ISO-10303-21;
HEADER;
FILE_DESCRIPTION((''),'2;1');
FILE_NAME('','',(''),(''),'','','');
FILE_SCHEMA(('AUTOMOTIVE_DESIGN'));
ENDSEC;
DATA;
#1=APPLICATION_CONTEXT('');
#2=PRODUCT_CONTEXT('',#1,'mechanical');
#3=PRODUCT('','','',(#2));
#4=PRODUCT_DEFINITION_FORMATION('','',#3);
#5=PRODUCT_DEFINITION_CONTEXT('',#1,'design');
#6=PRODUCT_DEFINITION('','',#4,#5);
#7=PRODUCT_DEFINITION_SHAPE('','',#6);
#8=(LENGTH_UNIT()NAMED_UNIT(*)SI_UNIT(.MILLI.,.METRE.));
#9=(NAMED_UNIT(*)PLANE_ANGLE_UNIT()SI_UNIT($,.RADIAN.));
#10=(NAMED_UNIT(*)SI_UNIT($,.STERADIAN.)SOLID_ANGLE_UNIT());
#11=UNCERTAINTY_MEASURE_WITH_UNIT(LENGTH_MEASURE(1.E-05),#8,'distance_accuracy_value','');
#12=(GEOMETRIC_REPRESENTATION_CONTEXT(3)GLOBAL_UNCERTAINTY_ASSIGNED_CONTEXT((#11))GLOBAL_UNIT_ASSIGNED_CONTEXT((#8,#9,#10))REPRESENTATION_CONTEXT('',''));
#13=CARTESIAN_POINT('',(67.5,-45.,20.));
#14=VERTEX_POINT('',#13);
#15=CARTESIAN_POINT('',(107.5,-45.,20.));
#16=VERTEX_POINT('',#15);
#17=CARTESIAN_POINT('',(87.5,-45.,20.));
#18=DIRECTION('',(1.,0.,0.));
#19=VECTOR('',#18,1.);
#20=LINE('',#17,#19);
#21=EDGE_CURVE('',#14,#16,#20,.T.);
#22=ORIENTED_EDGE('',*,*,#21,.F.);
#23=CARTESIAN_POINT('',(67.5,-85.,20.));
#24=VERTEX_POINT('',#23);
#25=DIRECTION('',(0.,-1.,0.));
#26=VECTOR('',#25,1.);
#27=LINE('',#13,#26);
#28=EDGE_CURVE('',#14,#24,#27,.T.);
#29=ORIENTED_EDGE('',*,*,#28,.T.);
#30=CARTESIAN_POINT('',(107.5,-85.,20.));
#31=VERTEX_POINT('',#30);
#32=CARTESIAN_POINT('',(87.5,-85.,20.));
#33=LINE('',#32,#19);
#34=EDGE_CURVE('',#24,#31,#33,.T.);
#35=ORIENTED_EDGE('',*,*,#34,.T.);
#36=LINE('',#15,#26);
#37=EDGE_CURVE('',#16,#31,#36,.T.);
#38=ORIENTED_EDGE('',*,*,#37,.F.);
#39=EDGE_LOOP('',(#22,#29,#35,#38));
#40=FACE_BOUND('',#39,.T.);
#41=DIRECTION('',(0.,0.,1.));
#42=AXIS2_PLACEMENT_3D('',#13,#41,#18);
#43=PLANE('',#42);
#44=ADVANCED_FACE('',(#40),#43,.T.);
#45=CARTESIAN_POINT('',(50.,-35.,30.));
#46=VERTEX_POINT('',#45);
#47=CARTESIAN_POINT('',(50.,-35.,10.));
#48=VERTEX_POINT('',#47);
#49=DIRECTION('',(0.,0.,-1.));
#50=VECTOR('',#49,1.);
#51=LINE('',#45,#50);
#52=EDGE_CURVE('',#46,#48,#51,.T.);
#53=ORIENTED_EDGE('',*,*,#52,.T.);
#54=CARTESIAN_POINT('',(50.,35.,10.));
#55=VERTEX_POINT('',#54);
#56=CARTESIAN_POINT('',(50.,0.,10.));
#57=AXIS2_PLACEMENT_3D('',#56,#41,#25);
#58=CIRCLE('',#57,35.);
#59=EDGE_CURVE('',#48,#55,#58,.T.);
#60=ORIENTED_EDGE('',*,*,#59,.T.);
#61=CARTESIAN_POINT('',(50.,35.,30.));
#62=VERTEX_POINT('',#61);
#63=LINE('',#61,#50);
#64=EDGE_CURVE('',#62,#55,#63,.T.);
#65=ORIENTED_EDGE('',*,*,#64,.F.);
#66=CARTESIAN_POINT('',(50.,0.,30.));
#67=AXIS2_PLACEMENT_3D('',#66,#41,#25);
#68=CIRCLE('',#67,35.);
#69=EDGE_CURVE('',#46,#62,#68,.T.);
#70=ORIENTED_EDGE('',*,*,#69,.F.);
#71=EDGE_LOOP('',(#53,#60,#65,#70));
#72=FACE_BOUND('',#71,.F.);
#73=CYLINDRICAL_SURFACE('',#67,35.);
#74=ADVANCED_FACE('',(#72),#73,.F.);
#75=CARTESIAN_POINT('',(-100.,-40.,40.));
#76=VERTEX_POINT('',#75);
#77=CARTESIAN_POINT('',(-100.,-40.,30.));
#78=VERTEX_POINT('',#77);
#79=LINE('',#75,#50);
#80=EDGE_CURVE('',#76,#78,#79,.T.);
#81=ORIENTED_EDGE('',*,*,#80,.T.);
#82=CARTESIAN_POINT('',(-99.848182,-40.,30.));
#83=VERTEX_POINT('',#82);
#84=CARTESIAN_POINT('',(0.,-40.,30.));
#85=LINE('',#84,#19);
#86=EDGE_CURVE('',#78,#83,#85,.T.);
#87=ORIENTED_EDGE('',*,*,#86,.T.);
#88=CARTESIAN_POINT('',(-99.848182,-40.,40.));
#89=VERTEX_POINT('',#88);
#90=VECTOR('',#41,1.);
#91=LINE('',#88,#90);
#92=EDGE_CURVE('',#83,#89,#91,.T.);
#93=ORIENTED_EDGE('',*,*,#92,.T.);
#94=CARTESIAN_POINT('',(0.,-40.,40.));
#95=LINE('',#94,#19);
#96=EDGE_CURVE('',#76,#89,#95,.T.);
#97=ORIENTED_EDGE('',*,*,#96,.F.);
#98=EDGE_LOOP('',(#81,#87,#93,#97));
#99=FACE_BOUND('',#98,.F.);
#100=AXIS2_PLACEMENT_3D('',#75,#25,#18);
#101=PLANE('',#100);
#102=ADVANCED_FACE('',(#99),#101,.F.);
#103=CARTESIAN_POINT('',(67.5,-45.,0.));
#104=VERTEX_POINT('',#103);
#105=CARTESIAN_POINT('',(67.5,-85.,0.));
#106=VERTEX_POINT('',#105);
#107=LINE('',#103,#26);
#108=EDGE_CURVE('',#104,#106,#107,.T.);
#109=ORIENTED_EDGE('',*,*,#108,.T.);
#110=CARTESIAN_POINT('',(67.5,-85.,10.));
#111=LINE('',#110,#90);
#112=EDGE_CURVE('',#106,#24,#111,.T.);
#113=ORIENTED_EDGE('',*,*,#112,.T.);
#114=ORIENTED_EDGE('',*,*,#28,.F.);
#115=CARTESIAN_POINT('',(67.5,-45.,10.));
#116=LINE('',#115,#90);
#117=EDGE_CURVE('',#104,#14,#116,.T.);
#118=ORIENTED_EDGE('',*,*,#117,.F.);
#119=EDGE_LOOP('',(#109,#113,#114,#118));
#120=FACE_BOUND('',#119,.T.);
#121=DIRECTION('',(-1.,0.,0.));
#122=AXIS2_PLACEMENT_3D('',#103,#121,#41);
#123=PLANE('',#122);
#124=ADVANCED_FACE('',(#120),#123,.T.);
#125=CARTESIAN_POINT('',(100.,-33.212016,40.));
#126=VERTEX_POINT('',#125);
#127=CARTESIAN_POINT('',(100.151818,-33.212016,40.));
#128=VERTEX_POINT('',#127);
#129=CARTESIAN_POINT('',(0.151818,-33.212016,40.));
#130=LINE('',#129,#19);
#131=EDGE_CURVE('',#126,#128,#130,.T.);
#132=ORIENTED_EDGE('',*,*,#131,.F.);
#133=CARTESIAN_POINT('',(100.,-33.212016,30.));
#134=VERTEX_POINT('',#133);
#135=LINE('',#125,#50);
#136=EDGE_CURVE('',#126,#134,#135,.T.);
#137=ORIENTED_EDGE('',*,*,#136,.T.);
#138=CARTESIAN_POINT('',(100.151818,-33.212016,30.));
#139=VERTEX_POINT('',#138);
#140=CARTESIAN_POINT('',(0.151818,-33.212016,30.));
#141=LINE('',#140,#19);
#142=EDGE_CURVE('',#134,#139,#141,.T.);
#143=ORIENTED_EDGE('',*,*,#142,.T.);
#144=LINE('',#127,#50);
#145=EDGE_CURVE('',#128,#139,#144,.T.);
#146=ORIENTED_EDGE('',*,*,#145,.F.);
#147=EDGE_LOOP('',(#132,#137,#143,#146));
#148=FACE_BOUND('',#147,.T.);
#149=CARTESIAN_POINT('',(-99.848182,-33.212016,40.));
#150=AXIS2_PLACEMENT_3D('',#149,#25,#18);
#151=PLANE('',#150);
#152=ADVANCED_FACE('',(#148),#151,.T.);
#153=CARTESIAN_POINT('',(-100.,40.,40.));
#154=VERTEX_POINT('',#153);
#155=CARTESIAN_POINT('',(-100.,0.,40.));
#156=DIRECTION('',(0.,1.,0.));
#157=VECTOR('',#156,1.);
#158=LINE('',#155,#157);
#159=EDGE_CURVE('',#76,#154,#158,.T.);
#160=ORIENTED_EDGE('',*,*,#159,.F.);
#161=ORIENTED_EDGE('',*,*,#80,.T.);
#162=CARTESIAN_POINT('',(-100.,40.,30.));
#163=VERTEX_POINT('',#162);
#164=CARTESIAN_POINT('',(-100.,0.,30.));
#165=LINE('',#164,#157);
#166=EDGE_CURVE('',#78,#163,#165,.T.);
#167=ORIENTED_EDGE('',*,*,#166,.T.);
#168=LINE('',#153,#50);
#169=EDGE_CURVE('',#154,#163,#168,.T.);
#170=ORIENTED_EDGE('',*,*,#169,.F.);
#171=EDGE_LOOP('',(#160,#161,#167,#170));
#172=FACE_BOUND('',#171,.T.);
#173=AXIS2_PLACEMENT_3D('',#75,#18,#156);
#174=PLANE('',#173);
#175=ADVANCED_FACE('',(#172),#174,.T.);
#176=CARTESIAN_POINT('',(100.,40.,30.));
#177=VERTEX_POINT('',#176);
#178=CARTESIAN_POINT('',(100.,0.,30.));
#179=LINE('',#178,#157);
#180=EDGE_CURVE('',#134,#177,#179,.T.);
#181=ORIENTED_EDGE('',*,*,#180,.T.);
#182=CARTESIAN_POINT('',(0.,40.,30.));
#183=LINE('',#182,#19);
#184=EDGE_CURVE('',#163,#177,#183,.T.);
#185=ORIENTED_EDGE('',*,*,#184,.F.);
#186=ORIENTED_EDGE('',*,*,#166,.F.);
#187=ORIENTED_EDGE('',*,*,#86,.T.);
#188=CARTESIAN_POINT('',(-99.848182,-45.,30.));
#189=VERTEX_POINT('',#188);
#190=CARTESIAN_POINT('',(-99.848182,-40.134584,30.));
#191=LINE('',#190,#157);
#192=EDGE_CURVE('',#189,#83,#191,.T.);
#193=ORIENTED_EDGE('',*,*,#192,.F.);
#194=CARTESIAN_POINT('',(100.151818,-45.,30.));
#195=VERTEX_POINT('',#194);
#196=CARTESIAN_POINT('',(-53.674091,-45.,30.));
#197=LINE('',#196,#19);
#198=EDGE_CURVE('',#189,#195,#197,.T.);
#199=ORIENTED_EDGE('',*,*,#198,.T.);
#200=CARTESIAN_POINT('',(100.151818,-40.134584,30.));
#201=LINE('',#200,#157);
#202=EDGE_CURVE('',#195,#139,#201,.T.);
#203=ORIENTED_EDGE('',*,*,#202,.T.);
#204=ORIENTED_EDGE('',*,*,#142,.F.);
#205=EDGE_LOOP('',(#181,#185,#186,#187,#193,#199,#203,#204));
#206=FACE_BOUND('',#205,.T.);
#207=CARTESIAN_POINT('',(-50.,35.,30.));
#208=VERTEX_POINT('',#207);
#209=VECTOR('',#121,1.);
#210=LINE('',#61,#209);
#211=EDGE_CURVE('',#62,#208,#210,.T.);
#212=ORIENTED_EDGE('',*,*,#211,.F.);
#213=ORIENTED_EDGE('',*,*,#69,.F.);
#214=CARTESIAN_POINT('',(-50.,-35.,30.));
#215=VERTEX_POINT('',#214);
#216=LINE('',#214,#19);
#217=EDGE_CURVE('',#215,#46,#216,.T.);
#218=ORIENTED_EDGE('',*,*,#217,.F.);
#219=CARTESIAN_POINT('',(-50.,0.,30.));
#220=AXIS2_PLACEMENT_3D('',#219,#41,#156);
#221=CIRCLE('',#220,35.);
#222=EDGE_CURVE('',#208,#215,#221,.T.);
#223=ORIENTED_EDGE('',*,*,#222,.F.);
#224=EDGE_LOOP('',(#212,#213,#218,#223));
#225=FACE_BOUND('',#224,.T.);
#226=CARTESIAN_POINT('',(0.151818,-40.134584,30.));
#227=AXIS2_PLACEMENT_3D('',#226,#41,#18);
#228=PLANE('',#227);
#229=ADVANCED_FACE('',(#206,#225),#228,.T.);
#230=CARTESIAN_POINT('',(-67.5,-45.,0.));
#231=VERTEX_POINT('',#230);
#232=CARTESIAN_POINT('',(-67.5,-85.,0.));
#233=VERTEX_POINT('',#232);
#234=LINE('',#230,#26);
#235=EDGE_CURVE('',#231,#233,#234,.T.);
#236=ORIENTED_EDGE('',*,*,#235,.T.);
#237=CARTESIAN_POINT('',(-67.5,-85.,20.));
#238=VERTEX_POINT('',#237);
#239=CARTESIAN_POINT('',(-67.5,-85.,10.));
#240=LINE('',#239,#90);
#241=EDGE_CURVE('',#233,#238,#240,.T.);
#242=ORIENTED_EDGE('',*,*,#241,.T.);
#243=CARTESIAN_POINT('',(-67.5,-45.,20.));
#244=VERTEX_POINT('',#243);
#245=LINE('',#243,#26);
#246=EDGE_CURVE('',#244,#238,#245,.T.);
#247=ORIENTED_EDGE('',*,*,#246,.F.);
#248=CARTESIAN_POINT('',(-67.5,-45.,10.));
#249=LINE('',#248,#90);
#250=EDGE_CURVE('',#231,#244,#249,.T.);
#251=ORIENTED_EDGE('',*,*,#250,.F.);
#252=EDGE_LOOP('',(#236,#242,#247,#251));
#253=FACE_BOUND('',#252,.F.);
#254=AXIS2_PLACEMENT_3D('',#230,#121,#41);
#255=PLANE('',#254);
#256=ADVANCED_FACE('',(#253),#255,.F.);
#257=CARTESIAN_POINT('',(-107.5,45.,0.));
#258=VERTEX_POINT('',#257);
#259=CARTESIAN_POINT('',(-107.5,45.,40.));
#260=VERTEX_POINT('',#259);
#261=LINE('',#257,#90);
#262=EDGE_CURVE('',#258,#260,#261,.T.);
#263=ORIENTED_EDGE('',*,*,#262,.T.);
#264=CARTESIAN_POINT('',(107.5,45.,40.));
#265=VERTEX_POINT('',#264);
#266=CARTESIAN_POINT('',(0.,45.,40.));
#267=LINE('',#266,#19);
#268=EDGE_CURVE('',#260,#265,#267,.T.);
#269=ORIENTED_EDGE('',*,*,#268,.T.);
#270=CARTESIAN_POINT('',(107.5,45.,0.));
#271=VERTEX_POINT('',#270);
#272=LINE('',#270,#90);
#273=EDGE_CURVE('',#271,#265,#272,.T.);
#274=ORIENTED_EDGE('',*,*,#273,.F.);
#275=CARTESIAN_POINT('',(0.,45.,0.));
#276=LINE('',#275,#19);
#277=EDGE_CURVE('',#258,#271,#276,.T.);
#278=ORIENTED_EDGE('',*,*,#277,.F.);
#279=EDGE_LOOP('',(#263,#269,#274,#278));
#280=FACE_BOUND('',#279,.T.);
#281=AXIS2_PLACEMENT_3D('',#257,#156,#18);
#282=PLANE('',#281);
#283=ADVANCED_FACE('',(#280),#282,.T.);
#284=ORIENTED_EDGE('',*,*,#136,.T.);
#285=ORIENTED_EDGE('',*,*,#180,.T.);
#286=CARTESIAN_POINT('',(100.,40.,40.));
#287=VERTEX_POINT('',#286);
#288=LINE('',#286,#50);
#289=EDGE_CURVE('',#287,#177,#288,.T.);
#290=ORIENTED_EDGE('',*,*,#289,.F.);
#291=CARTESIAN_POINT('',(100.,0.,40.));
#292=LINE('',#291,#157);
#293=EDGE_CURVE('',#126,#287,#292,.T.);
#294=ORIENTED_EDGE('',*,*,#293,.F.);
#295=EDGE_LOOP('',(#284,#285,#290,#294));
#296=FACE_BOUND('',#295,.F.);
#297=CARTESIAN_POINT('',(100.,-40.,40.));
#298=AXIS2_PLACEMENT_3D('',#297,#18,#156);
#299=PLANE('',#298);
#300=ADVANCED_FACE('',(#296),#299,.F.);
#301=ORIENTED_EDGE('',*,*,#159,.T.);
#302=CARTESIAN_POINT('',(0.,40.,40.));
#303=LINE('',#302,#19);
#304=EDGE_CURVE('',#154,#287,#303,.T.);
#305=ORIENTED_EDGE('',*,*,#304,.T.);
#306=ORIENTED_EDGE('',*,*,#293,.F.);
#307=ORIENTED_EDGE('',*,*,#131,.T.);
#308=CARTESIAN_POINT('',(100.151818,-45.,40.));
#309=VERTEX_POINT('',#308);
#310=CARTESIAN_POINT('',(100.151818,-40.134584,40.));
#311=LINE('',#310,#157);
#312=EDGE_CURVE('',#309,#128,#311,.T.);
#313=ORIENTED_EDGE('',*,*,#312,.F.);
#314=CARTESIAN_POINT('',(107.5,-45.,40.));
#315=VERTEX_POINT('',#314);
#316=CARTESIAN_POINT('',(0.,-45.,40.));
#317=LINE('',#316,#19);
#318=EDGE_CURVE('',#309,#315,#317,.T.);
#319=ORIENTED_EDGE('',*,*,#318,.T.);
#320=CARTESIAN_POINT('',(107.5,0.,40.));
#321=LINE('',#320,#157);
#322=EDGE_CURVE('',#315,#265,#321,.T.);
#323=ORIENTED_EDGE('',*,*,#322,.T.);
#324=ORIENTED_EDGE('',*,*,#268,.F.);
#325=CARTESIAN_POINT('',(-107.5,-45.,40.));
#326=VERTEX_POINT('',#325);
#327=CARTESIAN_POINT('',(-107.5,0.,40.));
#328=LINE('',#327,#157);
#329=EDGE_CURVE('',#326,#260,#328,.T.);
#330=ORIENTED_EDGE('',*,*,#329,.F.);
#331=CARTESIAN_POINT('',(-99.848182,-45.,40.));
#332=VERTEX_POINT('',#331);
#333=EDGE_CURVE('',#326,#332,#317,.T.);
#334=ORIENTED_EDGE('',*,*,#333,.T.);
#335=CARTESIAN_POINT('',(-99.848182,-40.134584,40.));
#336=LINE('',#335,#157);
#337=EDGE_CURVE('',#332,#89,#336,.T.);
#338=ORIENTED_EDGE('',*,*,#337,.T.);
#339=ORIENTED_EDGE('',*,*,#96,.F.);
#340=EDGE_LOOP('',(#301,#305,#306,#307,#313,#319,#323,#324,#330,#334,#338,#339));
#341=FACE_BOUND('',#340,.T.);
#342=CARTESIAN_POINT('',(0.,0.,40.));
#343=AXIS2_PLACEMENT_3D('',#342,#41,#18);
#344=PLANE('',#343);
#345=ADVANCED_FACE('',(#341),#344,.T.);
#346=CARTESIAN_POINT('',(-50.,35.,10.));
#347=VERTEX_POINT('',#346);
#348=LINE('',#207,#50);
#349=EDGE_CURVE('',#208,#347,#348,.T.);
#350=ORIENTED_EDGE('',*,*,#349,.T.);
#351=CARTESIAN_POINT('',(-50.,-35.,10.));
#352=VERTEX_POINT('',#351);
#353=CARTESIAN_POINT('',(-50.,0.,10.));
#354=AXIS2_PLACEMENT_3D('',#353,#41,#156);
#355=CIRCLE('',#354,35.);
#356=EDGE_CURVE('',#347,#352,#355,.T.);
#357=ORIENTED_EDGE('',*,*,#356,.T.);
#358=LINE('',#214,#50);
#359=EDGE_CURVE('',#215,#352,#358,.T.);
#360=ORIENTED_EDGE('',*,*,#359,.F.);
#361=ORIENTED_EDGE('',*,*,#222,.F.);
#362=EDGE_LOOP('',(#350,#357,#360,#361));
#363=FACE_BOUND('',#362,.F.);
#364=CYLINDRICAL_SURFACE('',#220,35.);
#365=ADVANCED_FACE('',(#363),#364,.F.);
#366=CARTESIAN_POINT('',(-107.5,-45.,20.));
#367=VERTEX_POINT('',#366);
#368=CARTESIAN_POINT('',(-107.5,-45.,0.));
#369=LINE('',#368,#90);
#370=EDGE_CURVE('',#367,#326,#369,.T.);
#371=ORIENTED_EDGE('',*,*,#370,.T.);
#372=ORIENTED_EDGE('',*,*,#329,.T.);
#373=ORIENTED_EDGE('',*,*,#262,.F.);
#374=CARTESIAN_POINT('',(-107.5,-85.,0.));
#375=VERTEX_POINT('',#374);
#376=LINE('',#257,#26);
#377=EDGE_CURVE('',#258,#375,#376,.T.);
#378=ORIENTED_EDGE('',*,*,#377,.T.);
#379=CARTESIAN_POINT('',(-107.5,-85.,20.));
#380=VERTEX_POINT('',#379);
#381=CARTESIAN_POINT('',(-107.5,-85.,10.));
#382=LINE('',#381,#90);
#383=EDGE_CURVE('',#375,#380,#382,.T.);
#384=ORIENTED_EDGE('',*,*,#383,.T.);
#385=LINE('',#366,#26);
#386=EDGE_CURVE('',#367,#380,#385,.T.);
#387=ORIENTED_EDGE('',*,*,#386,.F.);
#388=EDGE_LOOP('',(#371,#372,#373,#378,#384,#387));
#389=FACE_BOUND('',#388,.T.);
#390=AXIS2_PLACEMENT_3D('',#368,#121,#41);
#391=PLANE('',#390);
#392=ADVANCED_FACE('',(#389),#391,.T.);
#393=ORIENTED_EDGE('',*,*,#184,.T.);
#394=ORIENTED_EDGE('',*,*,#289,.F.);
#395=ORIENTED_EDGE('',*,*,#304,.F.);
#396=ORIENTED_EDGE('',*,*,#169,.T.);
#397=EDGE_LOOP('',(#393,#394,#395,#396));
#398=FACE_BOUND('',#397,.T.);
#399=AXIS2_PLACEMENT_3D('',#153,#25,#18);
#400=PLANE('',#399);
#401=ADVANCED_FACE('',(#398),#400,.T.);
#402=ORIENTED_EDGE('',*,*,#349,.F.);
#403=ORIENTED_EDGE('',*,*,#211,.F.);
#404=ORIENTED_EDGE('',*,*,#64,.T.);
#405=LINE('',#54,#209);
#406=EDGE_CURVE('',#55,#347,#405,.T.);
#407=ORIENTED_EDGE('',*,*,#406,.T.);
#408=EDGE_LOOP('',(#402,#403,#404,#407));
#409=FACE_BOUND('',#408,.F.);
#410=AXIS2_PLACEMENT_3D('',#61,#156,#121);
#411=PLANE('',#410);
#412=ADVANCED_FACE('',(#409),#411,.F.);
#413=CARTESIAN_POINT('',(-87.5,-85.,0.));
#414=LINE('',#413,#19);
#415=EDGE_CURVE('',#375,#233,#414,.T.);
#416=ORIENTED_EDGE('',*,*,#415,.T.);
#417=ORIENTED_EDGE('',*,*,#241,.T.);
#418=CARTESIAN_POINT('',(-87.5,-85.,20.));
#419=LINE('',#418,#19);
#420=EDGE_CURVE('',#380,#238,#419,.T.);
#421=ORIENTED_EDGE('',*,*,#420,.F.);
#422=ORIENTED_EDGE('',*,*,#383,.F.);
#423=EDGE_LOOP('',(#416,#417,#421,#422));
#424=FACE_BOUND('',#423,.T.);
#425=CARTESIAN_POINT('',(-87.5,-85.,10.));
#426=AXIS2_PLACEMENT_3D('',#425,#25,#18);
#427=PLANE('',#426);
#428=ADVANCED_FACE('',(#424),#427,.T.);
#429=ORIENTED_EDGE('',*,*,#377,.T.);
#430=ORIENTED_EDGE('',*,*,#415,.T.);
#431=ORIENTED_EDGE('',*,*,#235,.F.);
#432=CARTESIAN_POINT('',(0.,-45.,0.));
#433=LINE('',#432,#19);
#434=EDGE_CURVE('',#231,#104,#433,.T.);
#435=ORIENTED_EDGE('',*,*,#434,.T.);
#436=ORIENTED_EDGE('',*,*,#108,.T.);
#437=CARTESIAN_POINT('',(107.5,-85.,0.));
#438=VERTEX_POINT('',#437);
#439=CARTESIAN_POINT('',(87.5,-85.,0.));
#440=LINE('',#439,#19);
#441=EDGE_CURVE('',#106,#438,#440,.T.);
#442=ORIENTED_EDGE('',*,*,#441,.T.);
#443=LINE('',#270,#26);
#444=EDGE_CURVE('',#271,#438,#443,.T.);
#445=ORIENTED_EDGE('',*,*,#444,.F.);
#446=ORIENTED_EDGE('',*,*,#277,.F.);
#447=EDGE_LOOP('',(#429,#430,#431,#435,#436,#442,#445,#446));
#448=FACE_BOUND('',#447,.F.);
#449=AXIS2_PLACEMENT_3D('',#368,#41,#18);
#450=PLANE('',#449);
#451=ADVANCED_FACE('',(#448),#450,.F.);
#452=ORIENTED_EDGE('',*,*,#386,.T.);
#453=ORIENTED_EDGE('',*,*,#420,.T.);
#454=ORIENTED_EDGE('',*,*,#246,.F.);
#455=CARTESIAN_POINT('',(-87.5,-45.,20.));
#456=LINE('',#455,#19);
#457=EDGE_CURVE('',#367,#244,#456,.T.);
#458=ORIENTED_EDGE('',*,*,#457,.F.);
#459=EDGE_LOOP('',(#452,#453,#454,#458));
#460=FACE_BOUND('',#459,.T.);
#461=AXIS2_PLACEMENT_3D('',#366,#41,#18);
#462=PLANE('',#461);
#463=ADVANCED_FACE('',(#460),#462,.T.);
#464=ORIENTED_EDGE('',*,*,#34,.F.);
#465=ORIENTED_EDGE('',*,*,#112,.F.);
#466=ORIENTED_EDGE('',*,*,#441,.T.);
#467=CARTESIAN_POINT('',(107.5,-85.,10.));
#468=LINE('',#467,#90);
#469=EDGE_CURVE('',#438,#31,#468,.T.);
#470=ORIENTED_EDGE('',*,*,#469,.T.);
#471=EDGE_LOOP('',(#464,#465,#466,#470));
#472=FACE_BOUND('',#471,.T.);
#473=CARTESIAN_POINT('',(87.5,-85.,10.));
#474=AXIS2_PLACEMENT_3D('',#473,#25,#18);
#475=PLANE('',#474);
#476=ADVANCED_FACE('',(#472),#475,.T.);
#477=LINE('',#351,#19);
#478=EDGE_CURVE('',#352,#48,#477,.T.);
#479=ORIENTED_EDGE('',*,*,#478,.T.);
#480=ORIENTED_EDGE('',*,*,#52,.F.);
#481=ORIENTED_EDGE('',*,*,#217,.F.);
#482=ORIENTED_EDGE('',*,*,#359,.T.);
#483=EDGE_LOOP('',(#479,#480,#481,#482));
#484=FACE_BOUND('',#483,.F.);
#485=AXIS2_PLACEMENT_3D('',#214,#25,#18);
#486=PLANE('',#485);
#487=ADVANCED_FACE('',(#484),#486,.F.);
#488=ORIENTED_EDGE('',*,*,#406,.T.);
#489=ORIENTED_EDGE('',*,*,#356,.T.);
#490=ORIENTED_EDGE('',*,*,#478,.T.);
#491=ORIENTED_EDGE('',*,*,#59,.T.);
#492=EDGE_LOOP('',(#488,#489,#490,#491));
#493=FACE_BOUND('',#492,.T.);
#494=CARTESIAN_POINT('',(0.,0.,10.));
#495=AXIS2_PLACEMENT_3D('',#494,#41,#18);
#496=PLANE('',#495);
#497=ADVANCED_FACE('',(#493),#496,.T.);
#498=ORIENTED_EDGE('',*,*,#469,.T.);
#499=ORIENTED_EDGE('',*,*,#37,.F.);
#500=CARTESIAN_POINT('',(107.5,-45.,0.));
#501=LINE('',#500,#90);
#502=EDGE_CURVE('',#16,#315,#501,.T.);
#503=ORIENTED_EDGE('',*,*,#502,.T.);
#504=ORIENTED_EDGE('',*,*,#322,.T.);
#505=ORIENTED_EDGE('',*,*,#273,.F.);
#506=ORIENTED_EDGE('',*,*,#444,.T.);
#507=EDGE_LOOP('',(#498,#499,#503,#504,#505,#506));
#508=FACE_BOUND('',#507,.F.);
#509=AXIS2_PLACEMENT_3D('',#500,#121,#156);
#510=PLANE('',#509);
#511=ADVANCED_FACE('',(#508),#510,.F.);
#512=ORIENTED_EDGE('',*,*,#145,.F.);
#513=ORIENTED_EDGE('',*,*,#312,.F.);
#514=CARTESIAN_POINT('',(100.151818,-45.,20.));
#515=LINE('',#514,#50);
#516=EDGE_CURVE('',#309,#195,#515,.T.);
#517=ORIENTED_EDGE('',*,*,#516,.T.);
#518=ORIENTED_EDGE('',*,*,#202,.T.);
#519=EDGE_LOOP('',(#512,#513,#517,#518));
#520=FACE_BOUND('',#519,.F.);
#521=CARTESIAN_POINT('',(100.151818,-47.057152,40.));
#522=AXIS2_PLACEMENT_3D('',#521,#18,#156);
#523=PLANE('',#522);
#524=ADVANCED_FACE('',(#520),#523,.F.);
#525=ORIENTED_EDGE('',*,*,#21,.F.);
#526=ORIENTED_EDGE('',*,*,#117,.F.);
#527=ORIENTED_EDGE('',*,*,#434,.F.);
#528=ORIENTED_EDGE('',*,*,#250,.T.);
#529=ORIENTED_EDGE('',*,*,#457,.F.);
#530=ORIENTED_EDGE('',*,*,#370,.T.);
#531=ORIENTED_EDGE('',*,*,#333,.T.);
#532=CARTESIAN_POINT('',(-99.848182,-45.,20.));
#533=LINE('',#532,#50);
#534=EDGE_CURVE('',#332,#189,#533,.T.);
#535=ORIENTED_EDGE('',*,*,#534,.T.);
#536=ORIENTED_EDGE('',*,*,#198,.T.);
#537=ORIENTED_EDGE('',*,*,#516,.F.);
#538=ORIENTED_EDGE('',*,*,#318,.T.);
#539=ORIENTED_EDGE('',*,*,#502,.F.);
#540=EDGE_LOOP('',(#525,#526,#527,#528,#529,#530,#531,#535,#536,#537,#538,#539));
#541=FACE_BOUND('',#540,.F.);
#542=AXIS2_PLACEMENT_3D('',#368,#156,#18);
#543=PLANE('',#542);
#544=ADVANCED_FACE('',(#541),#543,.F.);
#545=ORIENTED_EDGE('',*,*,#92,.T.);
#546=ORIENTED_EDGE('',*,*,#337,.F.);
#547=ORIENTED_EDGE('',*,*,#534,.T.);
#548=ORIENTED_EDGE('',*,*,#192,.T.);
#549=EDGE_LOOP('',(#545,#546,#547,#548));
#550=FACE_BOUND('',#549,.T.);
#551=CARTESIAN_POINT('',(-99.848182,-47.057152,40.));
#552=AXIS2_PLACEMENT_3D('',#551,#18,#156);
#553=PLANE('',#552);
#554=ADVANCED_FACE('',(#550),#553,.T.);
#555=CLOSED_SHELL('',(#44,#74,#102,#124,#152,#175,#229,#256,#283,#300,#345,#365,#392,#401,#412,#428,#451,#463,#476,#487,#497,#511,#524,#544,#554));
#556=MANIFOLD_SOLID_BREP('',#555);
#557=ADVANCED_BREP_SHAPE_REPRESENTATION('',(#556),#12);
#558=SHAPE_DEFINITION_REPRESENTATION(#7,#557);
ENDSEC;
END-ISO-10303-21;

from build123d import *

# Parameters (mm, degrees)
SKETCH_W        = 215
SKETCH_H        = 90
PAD_DEPTH       = 40
SKETCH001_W     = 200
SKETCH001_H     = 80
POCKET_DEPTH    = 10
SKETCH002_W     = 200
SKETCH002_H     = 13.845135
POCKET001_DEPTH = 10
POCKET002_DEPTH = 20
SKETCH004_W     = 40
SKETCH004_H     = 20
PAD001_DEPTH    = 40


with BuildPart() as part:
    # Sketch → Pad (new body)
    with BuildSketch(Plane.XY):
        Rectangle(SKETCH_W, SKETCH_H)
    extrude(amount=PAD_DEPTH)

    # Sketch001 (on Face6 of Pad) → Pocket (cut)
    with BuildSketch(Plane.XY.offset(40)):
        Rectangle(SKETCH001_W, SKETCH001_H)
    extrude(amount=-POCKET_DEPTH, mode=Mode.SUBTRACT)

    # Sketch002 (on Face5 of Pocket) → Pocket001 (cut)
    with BuildSketch(Plane.XY.offset(40)):
        with Locations((0.151818, -40.134584)):
            Rectangle(SKETCH002_W, SKETCH002_H)
    extrude(amount=-POCKET001_DEPTH, mode=Mode.SUBTRACT)

    # Sketch003 (on Face14 of Pocket001) → Pocket002 (cut)
    with BuildSketch(Plane.XY.offset(30)):
        with BuildLine():
            ThreePointArc((-50, 35), (-85, 0), (-50, -35))
            Line((-50, -35), (50, -35))
            ThreePointArc((50, -35), (85, 0), (50, 35))
            Line((50, 35), (-50, 35))
        make_face()
    extrude(amount=-POCKET002_DEPTH, mode=Mode.SUBTRACT)

    # Sketch004 (on Face6 of Pocket002) → Pad001 (join)
    with BuildSketch(Plane.XZ.offset(45)):
        with Locations((-87.5, 10)):
            Rectangle(SKETCH004_W, SKETCH004_H)
        with Locations((87.5, 10)):
            Rectangle(SKETCH004_W, SKETCH004_H)
    extrude(amount=PAD001_DEPTH)


solid = part.part
